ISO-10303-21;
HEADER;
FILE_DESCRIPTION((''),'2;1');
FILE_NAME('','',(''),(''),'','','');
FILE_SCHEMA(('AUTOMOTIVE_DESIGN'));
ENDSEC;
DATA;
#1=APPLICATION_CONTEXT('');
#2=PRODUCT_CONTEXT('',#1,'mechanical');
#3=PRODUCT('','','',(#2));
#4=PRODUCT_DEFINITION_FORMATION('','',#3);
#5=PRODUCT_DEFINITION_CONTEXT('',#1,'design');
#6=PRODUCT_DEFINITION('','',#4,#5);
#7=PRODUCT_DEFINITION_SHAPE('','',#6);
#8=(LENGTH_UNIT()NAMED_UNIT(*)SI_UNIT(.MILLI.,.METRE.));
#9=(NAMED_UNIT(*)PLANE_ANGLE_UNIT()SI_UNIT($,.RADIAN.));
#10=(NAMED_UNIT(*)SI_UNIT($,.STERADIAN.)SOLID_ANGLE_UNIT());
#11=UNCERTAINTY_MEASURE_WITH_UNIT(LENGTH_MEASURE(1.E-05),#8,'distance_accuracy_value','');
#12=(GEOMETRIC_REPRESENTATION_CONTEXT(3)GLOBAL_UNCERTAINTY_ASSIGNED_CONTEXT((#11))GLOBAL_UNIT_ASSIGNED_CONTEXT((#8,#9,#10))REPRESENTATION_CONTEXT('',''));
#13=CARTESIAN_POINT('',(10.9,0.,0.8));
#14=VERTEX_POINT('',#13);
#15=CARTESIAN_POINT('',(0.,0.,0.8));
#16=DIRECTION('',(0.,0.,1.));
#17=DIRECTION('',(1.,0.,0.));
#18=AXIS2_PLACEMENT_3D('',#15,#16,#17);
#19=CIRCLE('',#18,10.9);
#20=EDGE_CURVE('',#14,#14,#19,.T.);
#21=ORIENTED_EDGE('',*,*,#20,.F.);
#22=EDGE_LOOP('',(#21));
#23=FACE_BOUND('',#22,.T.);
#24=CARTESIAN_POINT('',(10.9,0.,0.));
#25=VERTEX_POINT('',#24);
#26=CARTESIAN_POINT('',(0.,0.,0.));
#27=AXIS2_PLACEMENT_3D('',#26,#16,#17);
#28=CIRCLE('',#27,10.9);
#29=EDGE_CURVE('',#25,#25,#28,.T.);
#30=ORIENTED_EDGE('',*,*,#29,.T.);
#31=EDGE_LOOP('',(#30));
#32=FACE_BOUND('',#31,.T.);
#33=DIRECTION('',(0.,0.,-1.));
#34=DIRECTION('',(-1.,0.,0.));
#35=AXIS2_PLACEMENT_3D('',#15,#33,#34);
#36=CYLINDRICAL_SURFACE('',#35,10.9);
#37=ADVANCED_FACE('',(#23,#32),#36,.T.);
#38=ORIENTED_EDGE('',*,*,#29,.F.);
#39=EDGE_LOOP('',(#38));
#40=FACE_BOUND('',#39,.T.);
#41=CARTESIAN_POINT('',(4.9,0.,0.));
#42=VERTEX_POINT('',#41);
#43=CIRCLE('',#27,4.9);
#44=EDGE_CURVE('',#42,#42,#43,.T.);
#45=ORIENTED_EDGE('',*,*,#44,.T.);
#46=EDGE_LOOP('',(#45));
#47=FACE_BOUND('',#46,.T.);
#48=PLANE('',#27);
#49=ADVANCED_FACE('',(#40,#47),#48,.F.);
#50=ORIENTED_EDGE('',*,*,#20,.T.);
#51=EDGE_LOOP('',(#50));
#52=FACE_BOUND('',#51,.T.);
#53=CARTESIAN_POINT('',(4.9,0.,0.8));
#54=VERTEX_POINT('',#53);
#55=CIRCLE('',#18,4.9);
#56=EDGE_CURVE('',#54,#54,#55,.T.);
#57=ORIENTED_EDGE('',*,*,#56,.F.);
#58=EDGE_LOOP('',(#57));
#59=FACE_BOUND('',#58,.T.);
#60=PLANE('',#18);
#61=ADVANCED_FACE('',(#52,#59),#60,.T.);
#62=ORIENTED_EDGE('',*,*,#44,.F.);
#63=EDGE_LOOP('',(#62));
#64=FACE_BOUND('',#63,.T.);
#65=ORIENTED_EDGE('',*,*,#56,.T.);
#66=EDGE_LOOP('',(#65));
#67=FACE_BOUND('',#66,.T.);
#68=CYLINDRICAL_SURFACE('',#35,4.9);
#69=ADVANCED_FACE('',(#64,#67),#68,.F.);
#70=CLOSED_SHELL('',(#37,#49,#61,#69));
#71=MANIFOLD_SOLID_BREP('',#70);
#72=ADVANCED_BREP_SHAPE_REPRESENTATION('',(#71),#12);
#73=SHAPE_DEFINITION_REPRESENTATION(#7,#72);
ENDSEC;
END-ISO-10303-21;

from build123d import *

# Parameters (mm, degrees)
SKETCH_1_R      = 10.9
SKETCH_1_R_2    = 4.9
EXTRUDE_1_DEPTH = 0.8


with BuildPart() as part:
    # Эскиз1 → Бобышка-Вытянуть1 (new body)
    with BuildSketch(Plane.XY):
        Circle(SKETCH_1_R)
        Circle(SKETCH_1_R_2, mode=Mode.SUBTRACT)
    extrude(amount=EXTRUDE_1_DEPTH)


solid = part.part
